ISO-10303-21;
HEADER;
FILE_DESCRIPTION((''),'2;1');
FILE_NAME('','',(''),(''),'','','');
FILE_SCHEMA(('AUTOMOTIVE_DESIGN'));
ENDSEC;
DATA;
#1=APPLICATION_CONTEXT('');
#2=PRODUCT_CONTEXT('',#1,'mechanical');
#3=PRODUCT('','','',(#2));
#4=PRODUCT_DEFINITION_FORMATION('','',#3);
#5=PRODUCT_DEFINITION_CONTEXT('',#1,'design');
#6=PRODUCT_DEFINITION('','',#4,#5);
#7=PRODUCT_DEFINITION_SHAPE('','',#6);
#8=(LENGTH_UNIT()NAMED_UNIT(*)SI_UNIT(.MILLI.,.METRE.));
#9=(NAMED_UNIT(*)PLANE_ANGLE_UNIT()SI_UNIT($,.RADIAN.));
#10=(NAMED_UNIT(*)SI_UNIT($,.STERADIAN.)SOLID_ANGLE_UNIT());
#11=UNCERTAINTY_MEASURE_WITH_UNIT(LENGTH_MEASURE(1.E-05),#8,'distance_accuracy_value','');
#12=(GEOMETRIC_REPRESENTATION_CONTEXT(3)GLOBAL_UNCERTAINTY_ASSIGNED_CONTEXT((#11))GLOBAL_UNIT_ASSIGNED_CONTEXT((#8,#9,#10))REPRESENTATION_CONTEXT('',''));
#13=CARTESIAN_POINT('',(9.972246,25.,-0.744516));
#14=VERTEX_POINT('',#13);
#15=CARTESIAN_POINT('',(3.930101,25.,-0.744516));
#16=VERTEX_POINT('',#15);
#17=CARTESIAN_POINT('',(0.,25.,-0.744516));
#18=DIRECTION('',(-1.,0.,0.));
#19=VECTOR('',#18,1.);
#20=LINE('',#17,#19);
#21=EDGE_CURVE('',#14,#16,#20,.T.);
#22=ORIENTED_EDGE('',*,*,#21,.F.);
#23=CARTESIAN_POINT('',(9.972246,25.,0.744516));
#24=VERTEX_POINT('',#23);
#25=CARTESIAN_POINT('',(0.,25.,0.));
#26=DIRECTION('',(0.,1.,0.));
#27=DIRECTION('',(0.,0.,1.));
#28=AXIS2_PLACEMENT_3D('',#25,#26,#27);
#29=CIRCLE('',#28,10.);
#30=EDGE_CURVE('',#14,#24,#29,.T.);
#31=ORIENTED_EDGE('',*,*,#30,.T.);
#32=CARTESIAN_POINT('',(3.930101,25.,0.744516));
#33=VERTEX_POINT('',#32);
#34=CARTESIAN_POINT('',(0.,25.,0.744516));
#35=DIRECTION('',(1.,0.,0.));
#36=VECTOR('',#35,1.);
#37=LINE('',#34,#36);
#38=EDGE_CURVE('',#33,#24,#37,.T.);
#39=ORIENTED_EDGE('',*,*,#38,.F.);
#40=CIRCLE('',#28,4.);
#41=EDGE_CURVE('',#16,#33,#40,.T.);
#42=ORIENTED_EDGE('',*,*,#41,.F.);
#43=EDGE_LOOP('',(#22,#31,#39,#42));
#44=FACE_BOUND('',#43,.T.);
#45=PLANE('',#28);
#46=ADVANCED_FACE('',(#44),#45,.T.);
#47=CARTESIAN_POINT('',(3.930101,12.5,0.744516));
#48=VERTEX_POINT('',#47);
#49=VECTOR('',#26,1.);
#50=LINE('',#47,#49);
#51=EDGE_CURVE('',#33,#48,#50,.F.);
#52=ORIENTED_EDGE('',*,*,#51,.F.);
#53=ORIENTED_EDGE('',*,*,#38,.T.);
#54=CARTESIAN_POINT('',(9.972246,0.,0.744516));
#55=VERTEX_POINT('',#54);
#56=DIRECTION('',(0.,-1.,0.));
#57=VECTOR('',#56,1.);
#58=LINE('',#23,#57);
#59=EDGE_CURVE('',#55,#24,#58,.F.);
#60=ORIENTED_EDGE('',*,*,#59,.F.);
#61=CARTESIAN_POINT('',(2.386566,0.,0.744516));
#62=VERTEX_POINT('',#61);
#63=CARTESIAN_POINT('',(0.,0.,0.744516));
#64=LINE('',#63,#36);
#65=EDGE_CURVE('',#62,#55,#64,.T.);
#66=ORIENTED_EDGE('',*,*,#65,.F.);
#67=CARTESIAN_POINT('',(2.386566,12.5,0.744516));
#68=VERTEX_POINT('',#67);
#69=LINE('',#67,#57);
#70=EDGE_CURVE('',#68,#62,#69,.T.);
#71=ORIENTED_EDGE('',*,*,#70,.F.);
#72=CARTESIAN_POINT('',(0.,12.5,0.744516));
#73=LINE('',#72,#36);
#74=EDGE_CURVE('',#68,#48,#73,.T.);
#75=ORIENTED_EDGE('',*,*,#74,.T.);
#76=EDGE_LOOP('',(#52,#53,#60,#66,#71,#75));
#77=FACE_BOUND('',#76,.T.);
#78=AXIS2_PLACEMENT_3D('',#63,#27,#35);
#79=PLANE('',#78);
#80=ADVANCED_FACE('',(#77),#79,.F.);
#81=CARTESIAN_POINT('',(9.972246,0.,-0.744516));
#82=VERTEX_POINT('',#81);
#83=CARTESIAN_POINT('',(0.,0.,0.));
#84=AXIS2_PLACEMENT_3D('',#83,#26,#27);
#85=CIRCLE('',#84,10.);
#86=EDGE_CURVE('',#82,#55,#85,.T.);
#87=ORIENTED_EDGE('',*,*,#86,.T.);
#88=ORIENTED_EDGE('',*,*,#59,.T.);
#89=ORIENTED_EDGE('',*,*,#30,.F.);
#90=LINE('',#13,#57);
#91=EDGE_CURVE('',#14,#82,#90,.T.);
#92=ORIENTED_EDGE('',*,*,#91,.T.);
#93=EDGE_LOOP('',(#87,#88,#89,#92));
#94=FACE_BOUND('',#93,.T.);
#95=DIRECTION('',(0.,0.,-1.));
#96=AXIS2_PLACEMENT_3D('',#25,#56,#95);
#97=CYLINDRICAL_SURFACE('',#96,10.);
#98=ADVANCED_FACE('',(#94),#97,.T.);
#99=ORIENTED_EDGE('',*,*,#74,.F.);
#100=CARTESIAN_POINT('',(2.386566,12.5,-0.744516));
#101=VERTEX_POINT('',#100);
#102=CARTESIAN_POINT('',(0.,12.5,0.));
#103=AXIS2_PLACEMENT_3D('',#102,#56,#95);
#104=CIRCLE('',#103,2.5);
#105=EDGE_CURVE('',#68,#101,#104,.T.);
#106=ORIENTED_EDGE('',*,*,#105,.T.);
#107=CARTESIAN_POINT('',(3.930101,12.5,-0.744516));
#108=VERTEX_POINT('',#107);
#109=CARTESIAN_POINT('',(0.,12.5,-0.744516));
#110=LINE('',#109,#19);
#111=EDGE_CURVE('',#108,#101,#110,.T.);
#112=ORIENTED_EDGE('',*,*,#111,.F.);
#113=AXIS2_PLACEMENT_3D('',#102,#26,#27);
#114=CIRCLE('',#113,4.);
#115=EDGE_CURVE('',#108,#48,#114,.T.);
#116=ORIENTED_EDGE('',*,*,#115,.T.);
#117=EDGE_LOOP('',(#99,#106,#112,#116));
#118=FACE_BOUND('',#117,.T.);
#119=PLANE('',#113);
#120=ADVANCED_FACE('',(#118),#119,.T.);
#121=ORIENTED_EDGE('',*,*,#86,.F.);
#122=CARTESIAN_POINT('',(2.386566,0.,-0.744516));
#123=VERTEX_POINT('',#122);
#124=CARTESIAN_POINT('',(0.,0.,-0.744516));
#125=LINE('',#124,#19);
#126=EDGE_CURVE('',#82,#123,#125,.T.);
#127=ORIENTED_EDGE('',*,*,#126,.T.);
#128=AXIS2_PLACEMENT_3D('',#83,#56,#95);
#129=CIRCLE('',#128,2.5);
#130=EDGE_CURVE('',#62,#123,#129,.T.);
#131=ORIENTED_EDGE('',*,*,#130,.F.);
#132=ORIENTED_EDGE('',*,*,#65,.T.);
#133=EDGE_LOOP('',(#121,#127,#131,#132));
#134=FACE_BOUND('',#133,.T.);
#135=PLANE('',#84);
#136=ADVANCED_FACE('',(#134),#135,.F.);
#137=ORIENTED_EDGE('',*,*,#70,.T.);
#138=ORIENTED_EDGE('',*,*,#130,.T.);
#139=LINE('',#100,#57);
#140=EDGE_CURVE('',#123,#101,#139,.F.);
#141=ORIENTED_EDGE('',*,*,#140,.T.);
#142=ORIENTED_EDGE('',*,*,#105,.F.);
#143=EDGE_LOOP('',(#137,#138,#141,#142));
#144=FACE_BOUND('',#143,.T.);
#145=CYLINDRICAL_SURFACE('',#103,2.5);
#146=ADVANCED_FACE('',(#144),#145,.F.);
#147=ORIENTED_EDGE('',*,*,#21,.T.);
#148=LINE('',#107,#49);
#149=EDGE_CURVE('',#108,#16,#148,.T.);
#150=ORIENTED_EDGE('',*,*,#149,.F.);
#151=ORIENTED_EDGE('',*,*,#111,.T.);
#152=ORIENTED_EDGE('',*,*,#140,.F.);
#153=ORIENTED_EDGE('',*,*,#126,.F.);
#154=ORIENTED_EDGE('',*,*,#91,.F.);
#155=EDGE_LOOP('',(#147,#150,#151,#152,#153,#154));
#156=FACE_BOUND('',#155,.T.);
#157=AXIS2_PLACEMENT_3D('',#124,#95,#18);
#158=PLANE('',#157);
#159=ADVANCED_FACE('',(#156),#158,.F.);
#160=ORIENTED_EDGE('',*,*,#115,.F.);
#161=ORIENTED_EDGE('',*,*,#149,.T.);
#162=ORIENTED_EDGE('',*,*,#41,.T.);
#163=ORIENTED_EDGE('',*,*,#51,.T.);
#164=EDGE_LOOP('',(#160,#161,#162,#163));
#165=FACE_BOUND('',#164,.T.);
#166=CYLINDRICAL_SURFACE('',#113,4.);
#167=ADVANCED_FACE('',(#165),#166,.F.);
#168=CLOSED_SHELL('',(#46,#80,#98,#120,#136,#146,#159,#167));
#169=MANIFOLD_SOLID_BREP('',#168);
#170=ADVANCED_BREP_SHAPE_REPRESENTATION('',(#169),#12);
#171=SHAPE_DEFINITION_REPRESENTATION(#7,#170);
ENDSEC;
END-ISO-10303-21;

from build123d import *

# Parameters (mm, degrees)
ESQUISSE2_R        = 10
BOSS_EXTRU_1_DEPTH = 25
SKETCH1_R          = 4
CUT_EXTRUDE1_DEPTH = 12.5
SKETCH2_R          = 2.5
CUT_EXTRUDE2_DEPTH = 12.5
SKETCH3_W          = 12.434729812
SKETCH3_H          = 1.489032772
CUT_EXTRUDE3_DEPTH = 25


with BuildPart() as part:
    # Esquisse2 → Boss.-Extru.1 (new body)
    with BuildSketch(Plane(origin=(0, 0, 0), x_dir=(1, 0, 0), z_dir=(0, 1, 0))):
        Circle(ESQUISSE2_R)
    extrude(amount=BOSS_EXTRU_1_DEPTH)

    # Sketch1 → Cut-Extrude1 (cut)
    with BuildSketch(Plane(origin=(0, 25, 0), x_dir=(1, 0, 0), z_dir=(0, 1, 0))):
        Circle(SKETCH1_R)
    extrude(amount=-CUT_EXTRUDE1_DEPTH, mode=Mode.SUBTRACT)

    # Sketch2 → Cut-Extrude2 (cut)
    with BuildSketch(Plane.XZ):
        Circle(SKETCH2_R)
    extrude(amount=-CUT_EXTRUDE2_DEPTH, mode=Mode.SUBTRACT)

    # Sketch3 → Cut-Extrude3 (cut)
    with BuildSketch(Plane(origin=(0, 25, 0), x_dir=(1, 0, 0), z_dir=(0, 1, 0))):
        with Locations((6.217364906, 0)):
            Rectangle(SKETCH3_W, SKETCH3_H)
    extrude(amount=-CUT_EXTRUDE3_DEPTH, mode=Mode.SUBTRACT)


solid = part.part
